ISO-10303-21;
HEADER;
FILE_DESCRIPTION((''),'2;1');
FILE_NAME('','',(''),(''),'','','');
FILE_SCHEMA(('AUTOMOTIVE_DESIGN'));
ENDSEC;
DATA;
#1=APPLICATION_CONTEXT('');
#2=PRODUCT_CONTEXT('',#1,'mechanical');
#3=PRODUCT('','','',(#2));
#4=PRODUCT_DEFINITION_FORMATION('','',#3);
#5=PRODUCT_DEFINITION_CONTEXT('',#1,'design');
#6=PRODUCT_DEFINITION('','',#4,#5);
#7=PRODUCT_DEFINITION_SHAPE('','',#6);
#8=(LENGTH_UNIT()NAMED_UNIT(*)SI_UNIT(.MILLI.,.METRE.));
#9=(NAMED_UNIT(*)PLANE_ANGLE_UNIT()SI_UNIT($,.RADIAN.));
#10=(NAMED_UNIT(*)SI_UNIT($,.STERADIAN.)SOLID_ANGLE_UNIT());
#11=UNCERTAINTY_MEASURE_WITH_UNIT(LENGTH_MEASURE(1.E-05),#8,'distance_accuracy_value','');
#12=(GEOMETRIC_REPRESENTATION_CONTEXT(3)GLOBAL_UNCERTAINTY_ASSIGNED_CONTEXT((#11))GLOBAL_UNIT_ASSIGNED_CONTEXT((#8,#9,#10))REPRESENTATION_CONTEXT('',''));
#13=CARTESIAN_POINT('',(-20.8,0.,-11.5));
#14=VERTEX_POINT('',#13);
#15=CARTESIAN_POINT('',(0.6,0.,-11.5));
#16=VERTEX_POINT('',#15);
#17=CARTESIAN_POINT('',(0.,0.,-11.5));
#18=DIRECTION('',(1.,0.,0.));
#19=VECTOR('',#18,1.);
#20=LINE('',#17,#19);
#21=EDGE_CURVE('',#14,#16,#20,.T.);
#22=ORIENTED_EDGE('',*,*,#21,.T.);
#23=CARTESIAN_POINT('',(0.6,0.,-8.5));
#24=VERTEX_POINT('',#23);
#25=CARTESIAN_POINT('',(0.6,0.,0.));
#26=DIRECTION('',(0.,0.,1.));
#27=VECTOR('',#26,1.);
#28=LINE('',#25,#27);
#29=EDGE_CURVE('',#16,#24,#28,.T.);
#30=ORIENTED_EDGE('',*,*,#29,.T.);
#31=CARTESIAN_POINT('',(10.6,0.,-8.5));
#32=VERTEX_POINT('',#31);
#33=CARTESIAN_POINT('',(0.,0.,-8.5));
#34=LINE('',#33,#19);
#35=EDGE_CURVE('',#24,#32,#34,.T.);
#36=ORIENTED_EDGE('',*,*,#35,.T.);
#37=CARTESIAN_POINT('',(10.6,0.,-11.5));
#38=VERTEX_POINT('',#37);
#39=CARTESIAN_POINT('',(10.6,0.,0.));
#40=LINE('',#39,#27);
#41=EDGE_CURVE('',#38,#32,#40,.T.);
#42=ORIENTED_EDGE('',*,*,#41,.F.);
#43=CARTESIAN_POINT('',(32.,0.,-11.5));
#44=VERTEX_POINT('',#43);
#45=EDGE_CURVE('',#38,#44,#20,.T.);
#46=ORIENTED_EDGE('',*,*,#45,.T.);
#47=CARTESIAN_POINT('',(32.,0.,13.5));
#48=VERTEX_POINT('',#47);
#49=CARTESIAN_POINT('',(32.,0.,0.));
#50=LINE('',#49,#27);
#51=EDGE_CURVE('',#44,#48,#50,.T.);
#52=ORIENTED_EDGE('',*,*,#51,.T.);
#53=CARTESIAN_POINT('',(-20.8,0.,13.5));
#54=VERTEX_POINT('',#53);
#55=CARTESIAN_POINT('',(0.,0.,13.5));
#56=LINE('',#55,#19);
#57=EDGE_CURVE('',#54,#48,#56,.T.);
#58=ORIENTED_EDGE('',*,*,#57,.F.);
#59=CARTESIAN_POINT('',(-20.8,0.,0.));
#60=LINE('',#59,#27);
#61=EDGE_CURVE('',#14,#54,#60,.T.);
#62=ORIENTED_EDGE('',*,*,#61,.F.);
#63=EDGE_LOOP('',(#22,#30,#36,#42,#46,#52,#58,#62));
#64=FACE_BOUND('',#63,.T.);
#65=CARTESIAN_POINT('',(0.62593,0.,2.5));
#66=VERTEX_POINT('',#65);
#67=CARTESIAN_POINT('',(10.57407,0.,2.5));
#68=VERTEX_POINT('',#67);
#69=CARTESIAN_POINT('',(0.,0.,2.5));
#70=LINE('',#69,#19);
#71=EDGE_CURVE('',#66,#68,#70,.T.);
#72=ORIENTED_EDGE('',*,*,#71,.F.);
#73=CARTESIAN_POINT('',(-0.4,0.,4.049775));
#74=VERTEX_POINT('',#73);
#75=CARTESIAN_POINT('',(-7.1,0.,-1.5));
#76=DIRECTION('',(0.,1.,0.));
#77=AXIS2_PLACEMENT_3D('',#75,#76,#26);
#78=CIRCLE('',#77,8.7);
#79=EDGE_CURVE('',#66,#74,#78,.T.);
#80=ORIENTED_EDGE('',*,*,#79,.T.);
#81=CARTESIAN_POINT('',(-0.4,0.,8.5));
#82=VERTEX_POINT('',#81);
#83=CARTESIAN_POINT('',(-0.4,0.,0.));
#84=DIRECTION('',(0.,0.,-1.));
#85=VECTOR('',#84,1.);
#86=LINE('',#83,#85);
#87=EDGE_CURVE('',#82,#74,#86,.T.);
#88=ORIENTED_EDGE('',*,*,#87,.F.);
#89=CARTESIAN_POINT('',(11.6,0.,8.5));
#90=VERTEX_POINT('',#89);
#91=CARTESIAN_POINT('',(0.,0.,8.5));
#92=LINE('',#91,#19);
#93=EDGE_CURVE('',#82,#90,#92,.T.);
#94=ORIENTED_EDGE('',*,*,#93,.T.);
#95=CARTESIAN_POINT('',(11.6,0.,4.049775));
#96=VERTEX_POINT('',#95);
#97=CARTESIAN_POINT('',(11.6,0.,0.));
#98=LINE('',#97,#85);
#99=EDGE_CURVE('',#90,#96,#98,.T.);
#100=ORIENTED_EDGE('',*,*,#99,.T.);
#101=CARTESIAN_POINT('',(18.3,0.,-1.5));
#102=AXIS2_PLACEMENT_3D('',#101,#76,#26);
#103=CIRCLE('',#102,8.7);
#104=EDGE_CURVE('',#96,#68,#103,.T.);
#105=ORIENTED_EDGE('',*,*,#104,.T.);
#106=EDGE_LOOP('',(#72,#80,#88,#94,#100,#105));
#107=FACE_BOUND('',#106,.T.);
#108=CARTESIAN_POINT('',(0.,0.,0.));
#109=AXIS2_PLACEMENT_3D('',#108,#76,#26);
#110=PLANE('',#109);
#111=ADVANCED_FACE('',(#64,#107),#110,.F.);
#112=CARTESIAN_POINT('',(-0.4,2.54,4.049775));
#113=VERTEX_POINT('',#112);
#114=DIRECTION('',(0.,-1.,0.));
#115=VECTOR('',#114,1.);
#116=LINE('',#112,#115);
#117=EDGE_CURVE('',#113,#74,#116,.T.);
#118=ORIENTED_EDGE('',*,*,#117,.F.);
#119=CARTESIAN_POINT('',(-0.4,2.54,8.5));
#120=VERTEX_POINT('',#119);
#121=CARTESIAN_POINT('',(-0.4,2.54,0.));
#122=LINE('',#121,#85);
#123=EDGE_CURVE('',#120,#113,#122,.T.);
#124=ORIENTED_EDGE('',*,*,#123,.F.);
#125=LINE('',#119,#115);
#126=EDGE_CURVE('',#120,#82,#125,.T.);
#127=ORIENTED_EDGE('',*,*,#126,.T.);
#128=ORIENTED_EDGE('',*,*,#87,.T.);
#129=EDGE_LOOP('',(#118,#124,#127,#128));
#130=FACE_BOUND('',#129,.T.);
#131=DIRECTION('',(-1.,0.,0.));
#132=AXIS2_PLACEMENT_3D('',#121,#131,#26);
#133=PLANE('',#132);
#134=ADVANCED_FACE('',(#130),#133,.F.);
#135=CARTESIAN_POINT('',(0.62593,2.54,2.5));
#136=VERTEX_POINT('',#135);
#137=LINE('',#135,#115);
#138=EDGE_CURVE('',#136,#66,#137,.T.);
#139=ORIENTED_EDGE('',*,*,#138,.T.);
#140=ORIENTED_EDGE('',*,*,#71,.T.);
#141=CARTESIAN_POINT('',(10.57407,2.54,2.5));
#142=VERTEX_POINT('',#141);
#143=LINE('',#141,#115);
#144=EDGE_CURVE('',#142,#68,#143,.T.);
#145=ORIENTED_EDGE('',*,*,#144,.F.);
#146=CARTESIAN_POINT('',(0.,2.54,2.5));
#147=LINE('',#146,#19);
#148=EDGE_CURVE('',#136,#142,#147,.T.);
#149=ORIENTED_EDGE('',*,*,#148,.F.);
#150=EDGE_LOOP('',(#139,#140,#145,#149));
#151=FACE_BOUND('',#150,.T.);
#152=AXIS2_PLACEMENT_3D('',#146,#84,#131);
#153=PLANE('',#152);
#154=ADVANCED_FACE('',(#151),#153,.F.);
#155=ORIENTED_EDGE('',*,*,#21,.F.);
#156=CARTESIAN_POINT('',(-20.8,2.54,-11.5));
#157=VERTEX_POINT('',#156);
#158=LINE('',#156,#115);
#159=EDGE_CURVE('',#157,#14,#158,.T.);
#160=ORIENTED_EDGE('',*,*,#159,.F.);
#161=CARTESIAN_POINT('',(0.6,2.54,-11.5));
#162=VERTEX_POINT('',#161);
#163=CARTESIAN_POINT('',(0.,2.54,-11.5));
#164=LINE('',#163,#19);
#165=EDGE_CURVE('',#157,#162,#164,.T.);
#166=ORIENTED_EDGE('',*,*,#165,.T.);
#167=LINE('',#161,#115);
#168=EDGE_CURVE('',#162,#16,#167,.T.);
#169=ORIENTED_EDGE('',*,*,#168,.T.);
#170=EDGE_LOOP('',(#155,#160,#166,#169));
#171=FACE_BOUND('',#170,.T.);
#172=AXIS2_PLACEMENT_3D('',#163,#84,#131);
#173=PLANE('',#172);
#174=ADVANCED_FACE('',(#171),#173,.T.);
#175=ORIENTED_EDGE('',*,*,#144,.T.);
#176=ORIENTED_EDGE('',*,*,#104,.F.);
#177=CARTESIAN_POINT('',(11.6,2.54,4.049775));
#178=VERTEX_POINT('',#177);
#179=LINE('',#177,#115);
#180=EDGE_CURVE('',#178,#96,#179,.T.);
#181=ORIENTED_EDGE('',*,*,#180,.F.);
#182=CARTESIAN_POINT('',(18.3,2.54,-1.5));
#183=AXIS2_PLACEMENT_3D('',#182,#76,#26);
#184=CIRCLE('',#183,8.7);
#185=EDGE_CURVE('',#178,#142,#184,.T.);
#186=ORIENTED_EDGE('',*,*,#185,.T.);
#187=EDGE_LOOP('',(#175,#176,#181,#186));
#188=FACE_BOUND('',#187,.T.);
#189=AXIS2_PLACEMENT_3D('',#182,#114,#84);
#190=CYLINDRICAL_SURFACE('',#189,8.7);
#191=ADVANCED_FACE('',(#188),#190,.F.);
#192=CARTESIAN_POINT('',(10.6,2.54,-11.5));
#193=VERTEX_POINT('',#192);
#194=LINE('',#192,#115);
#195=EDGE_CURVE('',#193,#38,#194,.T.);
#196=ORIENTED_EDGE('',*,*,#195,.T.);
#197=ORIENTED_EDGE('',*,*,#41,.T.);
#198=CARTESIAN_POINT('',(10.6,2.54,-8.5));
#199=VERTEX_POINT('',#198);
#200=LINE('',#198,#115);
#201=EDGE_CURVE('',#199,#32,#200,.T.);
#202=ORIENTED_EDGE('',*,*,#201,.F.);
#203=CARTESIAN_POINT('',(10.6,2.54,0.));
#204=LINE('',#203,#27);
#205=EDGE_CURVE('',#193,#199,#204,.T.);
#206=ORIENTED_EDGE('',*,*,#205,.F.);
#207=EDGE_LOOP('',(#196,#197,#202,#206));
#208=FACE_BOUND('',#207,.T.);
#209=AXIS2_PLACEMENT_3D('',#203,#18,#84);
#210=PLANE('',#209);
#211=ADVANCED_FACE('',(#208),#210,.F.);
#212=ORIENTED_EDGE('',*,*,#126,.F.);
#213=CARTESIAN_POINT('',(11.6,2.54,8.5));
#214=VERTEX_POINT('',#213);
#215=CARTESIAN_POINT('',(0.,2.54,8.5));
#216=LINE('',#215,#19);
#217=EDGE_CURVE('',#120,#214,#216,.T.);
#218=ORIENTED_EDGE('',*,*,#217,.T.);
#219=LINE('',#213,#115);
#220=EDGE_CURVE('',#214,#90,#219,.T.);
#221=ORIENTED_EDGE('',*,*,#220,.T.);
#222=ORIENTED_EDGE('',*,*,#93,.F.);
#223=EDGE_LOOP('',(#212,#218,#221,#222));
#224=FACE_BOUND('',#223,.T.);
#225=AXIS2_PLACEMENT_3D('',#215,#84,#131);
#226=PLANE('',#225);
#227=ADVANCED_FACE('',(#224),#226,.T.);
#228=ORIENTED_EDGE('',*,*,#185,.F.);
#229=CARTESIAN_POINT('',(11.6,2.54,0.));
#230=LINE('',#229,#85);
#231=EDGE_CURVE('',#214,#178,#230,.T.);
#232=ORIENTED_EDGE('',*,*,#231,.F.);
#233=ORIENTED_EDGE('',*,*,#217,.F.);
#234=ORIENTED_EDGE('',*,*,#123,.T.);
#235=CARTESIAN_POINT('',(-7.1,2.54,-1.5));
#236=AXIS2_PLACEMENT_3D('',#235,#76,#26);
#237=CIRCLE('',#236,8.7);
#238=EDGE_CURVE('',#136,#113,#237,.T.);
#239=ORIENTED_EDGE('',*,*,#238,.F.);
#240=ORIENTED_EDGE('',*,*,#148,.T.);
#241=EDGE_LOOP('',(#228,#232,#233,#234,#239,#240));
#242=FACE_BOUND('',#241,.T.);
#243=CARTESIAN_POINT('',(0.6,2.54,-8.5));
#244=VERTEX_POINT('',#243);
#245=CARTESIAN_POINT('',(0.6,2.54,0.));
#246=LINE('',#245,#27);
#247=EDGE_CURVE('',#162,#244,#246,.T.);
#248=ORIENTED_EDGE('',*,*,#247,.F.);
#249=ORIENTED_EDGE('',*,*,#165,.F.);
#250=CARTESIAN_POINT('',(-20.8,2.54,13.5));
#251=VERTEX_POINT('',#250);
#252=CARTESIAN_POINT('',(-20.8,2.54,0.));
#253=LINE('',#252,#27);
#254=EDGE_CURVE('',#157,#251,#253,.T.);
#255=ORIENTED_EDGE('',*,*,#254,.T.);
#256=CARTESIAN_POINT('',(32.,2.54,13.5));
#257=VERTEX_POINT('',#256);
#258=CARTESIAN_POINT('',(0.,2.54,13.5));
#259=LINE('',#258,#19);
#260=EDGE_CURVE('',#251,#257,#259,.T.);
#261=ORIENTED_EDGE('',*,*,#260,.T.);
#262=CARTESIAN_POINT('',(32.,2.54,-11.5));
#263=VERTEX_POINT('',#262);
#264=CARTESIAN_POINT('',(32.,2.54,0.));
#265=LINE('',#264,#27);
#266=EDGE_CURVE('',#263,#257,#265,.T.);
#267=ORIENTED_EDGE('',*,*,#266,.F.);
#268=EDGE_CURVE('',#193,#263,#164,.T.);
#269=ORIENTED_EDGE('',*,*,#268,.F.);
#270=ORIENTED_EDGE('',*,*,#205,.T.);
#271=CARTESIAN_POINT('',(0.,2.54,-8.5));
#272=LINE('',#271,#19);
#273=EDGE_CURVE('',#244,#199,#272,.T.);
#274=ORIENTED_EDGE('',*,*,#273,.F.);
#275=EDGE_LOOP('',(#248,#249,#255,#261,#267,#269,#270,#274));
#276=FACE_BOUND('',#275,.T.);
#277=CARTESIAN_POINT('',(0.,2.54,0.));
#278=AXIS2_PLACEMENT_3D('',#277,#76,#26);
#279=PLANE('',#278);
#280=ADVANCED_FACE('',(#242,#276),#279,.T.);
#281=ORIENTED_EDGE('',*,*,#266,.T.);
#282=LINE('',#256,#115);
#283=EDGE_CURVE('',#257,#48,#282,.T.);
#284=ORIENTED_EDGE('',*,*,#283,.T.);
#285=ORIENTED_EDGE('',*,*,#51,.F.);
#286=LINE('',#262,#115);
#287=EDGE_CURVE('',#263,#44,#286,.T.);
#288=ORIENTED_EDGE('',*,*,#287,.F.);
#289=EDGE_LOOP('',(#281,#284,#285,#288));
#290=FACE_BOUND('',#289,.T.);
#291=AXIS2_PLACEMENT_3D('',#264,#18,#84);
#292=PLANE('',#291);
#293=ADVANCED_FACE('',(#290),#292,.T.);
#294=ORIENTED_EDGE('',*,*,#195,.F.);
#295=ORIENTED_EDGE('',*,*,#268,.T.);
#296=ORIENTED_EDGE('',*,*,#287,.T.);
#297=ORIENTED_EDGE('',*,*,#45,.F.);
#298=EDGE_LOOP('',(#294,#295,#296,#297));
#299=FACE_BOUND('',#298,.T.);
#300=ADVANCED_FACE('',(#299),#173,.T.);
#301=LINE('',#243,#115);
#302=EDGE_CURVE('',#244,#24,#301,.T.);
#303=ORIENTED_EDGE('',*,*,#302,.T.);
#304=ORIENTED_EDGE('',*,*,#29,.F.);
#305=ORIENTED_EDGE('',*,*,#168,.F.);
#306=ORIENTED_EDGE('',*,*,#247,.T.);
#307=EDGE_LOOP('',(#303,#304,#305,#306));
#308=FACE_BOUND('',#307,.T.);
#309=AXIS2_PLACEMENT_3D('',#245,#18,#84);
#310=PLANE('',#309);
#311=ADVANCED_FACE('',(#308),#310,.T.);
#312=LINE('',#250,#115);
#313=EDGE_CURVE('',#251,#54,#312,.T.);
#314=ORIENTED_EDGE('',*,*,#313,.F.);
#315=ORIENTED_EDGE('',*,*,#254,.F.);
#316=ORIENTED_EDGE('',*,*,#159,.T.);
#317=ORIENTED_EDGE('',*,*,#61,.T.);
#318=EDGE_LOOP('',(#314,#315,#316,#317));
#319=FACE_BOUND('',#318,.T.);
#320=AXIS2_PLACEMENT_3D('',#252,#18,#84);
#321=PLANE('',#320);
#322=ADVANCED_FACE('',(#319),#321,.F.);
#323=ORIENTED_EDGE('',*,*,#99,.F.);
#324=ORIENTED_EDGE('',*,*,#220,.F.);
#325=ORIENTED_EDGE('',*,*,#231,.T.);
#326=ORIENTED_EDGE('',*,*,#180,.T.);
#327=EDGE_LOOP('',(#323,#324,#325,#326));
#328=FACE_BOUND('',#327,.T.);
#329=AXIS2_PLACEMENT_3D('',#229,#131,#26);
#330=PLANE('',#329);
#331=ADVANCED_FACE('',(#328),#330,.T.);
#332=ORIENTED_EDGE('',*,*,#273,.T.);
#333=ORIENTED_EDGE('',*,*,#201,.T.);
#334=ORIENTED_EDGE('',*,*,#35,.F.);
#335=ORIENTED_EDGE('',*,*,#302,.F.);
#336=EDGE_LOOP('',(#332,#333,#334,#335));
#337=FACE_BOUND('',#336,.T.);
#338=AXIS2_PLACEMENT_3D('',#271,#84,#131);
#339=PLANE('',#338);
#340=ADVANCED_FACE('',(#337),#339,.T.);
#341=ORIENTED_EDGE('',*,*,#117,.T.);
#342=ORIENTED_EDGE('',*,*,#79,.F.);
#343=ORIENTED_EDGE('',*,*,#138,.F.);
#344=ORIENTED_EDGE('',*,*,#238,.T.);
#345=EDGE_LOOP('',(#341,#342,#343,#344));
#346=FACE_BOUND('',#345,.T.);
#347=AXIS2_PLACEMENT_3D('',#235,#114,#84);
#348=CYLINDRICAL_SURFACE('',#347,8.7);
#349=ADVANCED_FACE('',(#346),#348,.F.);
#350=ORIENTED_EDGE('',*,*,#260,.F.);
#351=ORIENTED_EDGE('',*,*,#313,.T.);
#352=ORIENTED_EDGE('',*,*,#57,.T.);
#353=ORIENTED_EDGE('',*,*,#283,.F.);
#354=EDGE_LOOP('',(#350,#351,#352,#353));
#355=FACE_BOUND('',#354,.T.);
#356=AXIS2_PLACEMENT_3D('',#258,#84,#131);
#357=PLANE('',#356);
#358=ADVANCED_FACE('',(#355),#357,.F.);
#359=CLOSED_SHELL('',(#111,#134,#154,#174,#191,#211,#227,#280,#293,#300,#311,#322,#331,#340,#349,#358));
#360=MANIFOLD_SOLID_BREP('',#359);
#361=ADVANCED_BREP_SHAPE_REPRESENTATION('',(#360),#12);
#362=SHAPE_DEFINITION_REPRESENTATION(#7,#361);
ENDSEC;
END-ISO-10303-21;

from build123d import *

# Parameters (mm, degrees)
BOSS_EXTRUDE1_DEPTH = 2.54


with BuildPart() as part:
    # Sketch1 → Boss-Extrude1 (new body)
    with BuildSketch(Plane(origin=(0, 0, 0), x_dir=(1, 0, 0), z_dir=(0, 1, 0))):
        Polygon((0.6, 11.5), (-20.8, 11.5), (-20.8, -13.5), (32, -13.5), (32, 11.5), (10.6, 11.5), (10.6, 8.5), (0.6, 8.5), align=None)
        with BuildLine():
            Line((11.6, -8.5), (-0.4, -8.5))
            Line((-0.4, -8.5), (-0.4, -4.04977477))
            ThreePointArc((-0.4, -4.04977477), (-15.284741902, 4.449576241), (1.6, 1.5))
            ThreePointArc((1.6, 1.5), (1.352975635, -0.558446724), (0.625930365, -2.5))
            Line((0.625930365, -2.5), (10.574069635, -2.5))
            ThreePointArc((10.574069635, -2.5), (16.241553276, 9.952975635), (27, 1.5))
            ThreePointArc((27, 1.5), (21.249576241, -6.684741902), (11.6, -4.04977477))
            Line((11.6, -4.04977477), (11.6, -8.5))
        make_face(mode=Mode.SUBTRACT)
    extrude(amount=BOSS_EXTRUDE1_DEPTH)


solid = part.part
